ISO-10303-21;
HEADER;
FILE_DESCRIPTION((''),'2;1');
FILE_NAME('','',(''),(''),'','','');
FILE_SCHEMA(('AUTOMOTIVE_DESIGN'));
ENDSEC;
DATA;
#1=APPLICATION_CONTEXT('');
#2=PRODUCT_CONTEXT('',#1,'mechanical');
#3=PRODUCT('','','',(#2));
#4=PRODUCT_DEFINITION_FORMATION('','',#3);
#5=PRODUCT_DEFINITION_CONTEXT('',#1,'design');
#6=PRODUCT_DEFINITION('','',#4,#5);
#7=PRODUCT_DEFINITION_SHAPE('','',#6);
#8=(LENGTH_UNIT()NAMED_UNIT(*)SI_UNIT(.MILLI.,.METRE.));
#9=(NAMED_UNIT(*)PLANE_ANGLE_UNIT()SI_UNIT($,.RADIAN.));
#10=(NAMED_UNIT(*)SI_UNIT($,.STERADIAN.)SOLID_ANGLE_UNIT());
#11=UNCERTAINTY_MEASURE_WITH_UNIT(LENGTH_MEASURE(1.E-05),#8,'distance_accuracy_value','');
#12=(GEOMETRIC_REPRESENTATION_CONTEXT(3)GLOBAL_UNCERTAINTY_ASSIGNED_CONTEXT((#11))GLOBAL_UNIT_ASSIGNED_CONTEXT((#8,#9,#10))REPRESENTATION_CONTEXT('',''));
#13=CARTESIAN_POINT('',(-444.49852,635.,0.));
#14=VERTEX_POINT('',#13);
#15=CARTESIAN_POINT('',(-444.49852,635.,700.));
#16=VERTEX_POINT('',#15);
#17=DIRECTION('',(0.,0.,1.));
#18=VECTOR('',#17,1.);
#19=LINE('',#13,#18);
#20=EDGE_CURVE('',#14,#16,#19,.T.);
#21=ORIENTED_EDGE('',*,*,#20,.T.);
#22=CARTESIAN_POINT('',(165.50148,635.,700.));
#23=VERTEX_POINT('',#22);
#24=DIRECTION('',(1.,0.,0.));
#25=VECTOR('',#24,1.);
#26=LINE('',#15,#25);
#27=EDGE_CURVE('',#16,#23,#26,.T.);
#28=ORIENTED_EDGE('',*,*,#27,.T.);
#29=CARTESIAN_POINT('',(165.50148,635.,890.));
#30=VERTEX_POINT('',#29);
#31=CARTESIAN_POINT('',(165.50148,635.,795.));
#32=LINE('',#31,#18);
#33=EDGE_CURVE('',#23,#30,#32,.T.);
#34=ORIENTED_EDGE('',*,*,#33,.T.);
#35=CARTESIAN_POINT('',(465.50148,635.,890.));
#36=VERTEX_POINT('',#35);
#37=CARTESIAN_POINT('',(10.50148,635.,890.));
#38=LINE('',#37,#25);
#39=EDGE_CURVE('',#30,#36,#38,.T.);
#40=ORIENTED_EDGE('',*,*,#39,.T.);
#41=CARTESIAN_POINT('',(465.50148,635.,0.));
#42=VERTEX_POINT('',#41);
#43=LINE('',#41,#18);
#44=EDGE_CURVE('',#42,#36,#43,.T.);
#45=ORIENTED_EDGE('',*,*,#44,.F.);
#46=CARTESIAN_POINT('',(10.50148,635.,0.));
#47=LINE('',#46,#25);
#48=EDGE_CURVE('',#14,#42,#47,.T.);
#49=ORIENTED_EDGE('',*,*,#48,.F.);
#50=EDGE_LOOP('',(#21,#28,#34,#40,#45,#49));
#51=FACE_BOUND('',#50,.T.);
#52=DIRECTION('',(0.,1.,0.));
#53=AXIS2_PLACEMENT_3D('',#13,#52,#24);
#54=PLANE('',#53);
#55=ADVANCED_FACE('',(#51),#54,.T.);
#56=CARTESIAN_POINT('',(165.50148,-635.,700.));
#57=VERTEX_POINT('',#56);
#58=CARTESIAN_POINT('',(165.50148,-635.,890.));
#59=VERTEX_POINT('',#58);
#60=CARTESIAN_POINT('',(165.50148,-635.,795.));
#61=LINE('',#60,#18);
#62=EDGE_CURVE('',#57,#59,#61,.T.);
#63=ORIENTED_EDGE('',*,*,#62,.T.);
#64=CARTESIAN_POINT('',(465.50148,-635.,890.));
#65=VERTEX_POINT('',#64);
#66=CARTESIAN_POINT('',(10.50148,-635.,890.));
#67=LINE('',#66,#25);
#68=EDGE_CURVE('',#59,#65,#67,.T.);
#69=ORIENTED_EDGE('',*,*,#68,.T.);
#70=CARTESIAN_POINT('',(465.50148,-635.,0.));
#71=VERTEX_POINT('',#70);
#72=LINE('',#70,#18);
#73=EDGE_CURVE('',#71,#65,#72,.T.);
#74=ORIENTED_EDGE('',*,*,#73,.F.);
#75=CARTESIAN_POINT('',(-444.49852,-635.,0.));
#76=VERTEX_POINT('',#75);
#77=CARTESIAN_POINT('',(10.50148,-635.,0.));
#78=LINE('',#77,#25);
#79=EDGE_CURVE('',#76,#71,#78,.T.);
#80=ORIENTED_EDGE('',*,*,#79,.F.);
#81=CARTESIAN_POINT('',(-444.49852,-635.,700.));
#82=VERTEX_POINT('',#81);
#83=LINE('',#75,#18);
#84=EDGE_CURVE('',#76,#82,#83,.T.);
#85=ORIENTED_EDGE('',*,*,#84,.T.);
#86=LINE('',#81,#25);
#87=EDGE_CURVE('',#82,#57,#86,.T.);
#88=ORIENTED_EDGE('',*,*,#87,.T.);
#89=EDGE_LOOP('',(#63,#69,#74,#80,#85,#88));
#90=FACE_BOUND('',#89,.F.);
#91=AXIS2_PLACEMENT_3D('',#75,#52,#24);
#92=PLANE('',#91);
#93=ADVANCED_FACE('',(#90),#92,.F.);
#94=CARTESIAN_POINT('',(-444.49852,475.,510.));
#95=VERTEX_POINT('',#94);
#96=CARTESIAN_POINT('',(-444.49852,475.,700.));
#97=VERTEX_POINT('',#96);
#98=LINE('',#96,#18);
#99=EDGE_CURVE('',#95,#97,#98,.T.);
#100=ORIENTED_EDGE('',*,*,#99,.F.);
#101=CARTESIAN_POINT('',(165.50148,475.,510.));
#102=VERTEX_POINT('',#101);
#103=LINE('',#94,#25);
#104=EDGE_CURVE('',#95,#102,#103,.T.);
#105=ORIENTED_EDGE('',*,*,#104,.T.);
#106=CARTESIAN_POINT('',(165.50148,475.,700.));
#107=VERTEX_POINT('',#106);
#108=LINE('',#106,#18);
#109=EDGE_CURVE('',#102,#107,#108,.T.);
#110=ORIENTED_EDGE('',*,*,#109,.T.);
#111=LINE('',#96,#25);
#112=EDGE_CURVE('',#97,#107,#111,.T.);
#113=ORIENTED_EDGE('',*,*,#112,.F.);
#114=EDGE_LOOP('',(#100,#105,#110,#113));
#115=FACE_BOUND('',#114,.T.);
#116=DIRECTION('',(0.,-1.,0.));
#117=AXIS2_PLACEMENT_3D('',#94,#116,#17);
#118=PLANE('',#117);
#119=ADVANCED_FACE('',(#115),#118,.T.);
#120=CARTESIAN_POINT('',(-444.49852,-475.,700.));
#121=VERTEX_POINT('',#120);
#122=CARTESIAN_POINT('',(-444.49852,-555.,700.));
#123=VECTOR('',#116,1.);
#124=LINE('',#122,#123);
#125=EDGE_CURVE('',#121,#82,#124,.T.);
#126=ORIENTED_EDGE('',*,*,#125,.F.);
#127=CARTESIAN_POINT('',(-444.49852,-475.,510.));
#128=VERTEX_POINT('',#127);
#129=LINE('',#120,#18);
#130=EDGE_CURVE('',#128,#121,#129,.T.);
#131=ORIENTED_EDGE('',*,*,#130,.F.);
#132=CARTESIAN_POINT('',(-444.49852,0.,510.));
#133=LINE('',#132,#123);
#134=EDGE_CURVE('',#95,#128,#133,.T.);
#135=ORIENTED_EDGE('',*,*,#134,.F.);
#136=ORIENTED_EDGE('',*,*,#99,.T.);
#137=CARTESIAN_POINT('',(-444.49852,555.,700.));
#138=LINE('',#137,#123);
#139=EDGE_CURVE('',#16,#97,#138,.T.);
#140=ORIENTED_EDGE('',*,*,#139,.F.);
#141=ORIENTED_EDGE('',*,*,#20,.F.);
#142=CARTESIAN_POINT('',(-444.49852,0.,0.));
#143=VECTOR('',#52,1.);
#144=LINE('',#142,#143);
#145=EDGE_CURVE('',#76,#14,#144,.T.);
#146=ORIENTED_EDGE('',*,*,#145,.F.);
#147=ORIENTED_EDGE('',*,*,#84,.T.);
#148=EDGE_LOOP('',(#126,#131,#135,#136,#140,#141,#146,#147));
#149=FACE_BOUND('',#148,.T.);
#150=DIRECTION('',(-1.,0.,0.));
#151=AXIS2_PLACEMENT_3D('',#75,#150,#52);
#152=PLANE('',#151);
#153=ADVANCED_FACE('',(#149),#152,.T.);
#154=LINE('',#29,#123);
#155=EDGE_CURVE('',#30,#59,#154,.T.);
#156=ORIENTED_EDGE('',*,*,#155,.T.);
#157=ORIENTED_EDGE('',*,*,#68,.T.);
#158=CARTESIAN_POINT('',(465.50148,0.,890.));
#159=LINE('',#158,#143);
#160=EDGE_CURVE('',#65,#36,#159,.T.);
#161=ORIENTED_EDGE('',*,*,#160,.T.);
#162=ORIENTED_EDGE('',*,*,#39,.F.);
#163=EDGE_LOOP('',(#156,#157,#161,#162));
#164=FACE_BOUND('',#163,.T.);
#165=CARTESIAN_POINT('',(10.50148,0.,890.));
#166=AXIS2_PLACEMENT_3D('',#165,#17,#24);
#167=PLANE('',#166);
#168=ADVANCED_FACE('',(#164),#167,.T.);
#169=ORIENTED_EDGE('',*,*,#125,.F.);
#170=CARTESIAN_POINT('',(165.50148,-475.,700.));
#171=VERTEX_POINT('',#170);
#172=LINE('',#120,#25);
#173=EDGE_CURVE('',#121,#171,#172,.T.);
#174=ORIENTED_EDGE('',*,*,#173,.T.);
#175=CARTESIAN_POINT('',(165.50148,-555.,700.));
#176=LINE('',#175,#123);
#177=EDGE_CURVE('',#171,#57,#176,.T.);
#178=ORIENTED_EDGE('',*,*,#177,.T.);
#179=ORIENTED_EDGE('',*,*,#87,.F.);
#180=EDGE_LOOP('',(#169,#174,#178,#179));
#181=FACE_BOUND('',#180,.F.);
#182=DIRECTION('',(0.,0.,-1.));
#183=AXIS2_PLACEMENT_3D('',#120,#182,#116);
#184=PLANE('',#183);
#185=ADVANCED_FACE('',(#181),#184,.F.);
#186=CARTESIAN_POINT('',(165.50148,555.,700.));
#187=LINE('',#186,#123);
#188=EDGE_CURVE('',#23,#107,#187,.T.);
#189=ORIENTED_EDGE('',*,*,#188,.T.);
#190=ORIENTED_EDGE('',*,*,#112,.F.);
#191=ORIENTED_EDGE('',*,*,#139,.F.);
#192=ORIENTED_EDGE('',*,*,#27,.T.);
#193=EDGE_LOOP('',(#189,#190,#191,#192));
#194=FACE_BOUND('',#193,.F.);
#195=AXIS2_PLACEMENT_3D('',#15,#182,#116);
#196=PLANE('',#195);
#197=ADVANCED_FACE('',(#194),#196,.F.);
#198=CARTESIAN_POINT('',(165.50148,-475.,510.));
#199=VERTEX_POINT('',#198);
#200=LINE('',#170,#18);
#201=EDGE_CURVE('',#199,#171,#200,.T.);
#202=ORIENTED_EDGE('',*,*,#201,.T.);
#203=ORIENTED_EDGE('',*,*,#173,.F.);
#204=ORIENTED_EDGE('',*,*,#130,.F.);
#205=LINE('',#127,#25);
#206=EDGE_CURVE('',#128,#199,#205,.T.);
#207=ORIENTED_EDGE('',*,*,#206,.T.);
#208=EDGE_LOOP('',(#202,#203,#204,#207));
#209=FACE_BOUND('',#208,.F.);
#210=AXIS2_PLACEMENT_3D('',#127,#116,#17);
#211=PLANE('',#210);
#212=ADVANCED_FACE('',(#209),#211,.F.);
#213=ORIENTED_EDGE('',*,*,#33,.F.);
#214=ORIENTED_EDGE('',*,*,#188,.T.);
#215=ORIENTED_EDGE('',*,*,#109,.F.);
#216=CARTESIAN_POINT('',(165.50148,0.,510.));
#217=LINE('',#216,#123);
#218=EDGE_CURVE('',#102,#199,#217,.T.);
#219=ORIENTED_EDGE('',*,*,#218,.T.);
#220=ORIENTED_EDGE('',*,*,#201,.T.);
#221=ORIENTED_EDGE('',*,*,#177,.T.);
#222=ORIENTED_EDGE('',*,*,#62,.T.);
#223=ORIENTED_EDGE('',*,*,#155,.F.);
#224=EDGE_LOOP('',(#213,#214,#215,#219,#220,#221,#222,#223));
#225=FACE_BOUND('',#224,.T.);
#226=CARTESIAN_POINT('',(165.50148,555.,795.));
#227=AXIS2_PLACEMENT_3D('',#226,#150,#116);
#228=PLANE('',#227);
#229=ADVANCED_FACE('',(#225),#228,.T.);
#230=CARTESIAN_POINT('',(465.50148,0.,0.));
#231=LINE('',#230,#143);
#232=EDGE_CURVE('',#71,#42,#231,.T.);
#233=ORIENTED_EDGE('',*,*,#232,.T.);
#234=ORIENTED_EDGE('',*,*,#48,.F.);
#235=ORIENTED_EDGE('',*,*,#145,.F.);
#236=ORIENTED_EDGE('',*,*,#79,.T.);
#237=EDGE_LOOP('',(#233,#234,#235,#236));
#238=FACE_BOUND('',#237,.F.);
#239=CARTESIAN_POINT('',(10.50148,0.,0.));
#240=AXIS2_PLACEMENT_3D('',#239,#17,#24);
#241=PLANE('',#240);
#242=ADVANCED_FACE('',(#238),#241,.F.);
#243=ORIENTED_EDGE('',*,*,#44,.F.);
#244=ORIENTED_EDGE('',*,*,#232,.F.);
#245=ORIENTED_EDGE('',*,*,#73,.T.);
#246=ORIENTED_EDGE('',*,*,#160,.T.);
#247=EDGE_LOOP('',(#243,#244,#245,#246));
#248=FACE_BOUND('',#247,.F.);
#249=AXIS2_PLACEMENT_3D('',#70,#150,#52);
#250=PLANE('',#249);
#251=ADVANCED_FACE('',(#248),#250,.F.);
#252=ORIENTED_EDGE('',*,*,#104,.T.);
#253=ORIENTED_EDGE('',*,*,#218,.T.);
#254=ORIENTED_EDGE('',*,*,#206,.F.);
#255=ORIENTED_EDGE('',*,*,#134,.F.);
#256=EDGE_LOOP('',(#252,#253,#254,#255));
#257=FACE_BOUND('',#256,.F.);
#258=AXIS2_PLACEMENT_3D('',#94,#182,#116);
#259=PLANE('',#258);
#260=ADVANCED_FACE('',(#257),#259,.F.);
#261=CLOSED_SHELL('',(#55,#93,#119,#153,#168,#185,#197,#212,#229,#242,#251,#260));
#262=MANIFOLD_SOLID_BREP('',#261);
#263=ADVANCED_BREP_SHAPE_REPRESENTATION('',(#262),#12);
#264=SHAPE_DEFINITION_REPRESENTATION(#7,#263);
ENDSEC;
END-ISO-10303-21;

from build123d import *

# Parameters (mm, degrees)
F0_W     = 910
F0_H     = 1270
F1_DEPTH = 890
F2_W     = 950
F2_H     = 380
F3_DEPTH = 610
F4_W     = 160
F4_H     = 190
F5_DEPTH = 610


with BuildPart() as f1:
    # F0 (on Top) → F1 (new body)
    with BuildSketch(Plane.XY):
        with Locations((10.50148, 0)):
            Rectangle(F0_W, F0_H)
    extrude(amount=F1_DEPTH)

    # F2 (on face) → F3 (cut)
    with BuildSketch(Plane(origin=(-444.49852, 0, 0), x_dir=(0, -1, 0), z_dir=(-1, 0, 0))):
        with Locations((0, 700)):
            Rectangle(F2_W, F2_H)
    extrude(amount=-F3_DEPTH, mode=Mode.SUBTRACT)

    # F4 (on face) → F5 (cut, through all)
    with BuildSketch(Plane(origin=(-444.49852, 0, 0), x_dir=(0, -1, 0), z_dir=(-1, 0, 0))):
        with Locations((-555, 795)):
            Rectangle(F4_W, F4_H)
        with Locations((555, 795)):
            Rectangle(F4_W, F4_H)
    extrude(amount=-F5_DEPTH, mode=Mode.SUBTRACT)


solid = f1.part
